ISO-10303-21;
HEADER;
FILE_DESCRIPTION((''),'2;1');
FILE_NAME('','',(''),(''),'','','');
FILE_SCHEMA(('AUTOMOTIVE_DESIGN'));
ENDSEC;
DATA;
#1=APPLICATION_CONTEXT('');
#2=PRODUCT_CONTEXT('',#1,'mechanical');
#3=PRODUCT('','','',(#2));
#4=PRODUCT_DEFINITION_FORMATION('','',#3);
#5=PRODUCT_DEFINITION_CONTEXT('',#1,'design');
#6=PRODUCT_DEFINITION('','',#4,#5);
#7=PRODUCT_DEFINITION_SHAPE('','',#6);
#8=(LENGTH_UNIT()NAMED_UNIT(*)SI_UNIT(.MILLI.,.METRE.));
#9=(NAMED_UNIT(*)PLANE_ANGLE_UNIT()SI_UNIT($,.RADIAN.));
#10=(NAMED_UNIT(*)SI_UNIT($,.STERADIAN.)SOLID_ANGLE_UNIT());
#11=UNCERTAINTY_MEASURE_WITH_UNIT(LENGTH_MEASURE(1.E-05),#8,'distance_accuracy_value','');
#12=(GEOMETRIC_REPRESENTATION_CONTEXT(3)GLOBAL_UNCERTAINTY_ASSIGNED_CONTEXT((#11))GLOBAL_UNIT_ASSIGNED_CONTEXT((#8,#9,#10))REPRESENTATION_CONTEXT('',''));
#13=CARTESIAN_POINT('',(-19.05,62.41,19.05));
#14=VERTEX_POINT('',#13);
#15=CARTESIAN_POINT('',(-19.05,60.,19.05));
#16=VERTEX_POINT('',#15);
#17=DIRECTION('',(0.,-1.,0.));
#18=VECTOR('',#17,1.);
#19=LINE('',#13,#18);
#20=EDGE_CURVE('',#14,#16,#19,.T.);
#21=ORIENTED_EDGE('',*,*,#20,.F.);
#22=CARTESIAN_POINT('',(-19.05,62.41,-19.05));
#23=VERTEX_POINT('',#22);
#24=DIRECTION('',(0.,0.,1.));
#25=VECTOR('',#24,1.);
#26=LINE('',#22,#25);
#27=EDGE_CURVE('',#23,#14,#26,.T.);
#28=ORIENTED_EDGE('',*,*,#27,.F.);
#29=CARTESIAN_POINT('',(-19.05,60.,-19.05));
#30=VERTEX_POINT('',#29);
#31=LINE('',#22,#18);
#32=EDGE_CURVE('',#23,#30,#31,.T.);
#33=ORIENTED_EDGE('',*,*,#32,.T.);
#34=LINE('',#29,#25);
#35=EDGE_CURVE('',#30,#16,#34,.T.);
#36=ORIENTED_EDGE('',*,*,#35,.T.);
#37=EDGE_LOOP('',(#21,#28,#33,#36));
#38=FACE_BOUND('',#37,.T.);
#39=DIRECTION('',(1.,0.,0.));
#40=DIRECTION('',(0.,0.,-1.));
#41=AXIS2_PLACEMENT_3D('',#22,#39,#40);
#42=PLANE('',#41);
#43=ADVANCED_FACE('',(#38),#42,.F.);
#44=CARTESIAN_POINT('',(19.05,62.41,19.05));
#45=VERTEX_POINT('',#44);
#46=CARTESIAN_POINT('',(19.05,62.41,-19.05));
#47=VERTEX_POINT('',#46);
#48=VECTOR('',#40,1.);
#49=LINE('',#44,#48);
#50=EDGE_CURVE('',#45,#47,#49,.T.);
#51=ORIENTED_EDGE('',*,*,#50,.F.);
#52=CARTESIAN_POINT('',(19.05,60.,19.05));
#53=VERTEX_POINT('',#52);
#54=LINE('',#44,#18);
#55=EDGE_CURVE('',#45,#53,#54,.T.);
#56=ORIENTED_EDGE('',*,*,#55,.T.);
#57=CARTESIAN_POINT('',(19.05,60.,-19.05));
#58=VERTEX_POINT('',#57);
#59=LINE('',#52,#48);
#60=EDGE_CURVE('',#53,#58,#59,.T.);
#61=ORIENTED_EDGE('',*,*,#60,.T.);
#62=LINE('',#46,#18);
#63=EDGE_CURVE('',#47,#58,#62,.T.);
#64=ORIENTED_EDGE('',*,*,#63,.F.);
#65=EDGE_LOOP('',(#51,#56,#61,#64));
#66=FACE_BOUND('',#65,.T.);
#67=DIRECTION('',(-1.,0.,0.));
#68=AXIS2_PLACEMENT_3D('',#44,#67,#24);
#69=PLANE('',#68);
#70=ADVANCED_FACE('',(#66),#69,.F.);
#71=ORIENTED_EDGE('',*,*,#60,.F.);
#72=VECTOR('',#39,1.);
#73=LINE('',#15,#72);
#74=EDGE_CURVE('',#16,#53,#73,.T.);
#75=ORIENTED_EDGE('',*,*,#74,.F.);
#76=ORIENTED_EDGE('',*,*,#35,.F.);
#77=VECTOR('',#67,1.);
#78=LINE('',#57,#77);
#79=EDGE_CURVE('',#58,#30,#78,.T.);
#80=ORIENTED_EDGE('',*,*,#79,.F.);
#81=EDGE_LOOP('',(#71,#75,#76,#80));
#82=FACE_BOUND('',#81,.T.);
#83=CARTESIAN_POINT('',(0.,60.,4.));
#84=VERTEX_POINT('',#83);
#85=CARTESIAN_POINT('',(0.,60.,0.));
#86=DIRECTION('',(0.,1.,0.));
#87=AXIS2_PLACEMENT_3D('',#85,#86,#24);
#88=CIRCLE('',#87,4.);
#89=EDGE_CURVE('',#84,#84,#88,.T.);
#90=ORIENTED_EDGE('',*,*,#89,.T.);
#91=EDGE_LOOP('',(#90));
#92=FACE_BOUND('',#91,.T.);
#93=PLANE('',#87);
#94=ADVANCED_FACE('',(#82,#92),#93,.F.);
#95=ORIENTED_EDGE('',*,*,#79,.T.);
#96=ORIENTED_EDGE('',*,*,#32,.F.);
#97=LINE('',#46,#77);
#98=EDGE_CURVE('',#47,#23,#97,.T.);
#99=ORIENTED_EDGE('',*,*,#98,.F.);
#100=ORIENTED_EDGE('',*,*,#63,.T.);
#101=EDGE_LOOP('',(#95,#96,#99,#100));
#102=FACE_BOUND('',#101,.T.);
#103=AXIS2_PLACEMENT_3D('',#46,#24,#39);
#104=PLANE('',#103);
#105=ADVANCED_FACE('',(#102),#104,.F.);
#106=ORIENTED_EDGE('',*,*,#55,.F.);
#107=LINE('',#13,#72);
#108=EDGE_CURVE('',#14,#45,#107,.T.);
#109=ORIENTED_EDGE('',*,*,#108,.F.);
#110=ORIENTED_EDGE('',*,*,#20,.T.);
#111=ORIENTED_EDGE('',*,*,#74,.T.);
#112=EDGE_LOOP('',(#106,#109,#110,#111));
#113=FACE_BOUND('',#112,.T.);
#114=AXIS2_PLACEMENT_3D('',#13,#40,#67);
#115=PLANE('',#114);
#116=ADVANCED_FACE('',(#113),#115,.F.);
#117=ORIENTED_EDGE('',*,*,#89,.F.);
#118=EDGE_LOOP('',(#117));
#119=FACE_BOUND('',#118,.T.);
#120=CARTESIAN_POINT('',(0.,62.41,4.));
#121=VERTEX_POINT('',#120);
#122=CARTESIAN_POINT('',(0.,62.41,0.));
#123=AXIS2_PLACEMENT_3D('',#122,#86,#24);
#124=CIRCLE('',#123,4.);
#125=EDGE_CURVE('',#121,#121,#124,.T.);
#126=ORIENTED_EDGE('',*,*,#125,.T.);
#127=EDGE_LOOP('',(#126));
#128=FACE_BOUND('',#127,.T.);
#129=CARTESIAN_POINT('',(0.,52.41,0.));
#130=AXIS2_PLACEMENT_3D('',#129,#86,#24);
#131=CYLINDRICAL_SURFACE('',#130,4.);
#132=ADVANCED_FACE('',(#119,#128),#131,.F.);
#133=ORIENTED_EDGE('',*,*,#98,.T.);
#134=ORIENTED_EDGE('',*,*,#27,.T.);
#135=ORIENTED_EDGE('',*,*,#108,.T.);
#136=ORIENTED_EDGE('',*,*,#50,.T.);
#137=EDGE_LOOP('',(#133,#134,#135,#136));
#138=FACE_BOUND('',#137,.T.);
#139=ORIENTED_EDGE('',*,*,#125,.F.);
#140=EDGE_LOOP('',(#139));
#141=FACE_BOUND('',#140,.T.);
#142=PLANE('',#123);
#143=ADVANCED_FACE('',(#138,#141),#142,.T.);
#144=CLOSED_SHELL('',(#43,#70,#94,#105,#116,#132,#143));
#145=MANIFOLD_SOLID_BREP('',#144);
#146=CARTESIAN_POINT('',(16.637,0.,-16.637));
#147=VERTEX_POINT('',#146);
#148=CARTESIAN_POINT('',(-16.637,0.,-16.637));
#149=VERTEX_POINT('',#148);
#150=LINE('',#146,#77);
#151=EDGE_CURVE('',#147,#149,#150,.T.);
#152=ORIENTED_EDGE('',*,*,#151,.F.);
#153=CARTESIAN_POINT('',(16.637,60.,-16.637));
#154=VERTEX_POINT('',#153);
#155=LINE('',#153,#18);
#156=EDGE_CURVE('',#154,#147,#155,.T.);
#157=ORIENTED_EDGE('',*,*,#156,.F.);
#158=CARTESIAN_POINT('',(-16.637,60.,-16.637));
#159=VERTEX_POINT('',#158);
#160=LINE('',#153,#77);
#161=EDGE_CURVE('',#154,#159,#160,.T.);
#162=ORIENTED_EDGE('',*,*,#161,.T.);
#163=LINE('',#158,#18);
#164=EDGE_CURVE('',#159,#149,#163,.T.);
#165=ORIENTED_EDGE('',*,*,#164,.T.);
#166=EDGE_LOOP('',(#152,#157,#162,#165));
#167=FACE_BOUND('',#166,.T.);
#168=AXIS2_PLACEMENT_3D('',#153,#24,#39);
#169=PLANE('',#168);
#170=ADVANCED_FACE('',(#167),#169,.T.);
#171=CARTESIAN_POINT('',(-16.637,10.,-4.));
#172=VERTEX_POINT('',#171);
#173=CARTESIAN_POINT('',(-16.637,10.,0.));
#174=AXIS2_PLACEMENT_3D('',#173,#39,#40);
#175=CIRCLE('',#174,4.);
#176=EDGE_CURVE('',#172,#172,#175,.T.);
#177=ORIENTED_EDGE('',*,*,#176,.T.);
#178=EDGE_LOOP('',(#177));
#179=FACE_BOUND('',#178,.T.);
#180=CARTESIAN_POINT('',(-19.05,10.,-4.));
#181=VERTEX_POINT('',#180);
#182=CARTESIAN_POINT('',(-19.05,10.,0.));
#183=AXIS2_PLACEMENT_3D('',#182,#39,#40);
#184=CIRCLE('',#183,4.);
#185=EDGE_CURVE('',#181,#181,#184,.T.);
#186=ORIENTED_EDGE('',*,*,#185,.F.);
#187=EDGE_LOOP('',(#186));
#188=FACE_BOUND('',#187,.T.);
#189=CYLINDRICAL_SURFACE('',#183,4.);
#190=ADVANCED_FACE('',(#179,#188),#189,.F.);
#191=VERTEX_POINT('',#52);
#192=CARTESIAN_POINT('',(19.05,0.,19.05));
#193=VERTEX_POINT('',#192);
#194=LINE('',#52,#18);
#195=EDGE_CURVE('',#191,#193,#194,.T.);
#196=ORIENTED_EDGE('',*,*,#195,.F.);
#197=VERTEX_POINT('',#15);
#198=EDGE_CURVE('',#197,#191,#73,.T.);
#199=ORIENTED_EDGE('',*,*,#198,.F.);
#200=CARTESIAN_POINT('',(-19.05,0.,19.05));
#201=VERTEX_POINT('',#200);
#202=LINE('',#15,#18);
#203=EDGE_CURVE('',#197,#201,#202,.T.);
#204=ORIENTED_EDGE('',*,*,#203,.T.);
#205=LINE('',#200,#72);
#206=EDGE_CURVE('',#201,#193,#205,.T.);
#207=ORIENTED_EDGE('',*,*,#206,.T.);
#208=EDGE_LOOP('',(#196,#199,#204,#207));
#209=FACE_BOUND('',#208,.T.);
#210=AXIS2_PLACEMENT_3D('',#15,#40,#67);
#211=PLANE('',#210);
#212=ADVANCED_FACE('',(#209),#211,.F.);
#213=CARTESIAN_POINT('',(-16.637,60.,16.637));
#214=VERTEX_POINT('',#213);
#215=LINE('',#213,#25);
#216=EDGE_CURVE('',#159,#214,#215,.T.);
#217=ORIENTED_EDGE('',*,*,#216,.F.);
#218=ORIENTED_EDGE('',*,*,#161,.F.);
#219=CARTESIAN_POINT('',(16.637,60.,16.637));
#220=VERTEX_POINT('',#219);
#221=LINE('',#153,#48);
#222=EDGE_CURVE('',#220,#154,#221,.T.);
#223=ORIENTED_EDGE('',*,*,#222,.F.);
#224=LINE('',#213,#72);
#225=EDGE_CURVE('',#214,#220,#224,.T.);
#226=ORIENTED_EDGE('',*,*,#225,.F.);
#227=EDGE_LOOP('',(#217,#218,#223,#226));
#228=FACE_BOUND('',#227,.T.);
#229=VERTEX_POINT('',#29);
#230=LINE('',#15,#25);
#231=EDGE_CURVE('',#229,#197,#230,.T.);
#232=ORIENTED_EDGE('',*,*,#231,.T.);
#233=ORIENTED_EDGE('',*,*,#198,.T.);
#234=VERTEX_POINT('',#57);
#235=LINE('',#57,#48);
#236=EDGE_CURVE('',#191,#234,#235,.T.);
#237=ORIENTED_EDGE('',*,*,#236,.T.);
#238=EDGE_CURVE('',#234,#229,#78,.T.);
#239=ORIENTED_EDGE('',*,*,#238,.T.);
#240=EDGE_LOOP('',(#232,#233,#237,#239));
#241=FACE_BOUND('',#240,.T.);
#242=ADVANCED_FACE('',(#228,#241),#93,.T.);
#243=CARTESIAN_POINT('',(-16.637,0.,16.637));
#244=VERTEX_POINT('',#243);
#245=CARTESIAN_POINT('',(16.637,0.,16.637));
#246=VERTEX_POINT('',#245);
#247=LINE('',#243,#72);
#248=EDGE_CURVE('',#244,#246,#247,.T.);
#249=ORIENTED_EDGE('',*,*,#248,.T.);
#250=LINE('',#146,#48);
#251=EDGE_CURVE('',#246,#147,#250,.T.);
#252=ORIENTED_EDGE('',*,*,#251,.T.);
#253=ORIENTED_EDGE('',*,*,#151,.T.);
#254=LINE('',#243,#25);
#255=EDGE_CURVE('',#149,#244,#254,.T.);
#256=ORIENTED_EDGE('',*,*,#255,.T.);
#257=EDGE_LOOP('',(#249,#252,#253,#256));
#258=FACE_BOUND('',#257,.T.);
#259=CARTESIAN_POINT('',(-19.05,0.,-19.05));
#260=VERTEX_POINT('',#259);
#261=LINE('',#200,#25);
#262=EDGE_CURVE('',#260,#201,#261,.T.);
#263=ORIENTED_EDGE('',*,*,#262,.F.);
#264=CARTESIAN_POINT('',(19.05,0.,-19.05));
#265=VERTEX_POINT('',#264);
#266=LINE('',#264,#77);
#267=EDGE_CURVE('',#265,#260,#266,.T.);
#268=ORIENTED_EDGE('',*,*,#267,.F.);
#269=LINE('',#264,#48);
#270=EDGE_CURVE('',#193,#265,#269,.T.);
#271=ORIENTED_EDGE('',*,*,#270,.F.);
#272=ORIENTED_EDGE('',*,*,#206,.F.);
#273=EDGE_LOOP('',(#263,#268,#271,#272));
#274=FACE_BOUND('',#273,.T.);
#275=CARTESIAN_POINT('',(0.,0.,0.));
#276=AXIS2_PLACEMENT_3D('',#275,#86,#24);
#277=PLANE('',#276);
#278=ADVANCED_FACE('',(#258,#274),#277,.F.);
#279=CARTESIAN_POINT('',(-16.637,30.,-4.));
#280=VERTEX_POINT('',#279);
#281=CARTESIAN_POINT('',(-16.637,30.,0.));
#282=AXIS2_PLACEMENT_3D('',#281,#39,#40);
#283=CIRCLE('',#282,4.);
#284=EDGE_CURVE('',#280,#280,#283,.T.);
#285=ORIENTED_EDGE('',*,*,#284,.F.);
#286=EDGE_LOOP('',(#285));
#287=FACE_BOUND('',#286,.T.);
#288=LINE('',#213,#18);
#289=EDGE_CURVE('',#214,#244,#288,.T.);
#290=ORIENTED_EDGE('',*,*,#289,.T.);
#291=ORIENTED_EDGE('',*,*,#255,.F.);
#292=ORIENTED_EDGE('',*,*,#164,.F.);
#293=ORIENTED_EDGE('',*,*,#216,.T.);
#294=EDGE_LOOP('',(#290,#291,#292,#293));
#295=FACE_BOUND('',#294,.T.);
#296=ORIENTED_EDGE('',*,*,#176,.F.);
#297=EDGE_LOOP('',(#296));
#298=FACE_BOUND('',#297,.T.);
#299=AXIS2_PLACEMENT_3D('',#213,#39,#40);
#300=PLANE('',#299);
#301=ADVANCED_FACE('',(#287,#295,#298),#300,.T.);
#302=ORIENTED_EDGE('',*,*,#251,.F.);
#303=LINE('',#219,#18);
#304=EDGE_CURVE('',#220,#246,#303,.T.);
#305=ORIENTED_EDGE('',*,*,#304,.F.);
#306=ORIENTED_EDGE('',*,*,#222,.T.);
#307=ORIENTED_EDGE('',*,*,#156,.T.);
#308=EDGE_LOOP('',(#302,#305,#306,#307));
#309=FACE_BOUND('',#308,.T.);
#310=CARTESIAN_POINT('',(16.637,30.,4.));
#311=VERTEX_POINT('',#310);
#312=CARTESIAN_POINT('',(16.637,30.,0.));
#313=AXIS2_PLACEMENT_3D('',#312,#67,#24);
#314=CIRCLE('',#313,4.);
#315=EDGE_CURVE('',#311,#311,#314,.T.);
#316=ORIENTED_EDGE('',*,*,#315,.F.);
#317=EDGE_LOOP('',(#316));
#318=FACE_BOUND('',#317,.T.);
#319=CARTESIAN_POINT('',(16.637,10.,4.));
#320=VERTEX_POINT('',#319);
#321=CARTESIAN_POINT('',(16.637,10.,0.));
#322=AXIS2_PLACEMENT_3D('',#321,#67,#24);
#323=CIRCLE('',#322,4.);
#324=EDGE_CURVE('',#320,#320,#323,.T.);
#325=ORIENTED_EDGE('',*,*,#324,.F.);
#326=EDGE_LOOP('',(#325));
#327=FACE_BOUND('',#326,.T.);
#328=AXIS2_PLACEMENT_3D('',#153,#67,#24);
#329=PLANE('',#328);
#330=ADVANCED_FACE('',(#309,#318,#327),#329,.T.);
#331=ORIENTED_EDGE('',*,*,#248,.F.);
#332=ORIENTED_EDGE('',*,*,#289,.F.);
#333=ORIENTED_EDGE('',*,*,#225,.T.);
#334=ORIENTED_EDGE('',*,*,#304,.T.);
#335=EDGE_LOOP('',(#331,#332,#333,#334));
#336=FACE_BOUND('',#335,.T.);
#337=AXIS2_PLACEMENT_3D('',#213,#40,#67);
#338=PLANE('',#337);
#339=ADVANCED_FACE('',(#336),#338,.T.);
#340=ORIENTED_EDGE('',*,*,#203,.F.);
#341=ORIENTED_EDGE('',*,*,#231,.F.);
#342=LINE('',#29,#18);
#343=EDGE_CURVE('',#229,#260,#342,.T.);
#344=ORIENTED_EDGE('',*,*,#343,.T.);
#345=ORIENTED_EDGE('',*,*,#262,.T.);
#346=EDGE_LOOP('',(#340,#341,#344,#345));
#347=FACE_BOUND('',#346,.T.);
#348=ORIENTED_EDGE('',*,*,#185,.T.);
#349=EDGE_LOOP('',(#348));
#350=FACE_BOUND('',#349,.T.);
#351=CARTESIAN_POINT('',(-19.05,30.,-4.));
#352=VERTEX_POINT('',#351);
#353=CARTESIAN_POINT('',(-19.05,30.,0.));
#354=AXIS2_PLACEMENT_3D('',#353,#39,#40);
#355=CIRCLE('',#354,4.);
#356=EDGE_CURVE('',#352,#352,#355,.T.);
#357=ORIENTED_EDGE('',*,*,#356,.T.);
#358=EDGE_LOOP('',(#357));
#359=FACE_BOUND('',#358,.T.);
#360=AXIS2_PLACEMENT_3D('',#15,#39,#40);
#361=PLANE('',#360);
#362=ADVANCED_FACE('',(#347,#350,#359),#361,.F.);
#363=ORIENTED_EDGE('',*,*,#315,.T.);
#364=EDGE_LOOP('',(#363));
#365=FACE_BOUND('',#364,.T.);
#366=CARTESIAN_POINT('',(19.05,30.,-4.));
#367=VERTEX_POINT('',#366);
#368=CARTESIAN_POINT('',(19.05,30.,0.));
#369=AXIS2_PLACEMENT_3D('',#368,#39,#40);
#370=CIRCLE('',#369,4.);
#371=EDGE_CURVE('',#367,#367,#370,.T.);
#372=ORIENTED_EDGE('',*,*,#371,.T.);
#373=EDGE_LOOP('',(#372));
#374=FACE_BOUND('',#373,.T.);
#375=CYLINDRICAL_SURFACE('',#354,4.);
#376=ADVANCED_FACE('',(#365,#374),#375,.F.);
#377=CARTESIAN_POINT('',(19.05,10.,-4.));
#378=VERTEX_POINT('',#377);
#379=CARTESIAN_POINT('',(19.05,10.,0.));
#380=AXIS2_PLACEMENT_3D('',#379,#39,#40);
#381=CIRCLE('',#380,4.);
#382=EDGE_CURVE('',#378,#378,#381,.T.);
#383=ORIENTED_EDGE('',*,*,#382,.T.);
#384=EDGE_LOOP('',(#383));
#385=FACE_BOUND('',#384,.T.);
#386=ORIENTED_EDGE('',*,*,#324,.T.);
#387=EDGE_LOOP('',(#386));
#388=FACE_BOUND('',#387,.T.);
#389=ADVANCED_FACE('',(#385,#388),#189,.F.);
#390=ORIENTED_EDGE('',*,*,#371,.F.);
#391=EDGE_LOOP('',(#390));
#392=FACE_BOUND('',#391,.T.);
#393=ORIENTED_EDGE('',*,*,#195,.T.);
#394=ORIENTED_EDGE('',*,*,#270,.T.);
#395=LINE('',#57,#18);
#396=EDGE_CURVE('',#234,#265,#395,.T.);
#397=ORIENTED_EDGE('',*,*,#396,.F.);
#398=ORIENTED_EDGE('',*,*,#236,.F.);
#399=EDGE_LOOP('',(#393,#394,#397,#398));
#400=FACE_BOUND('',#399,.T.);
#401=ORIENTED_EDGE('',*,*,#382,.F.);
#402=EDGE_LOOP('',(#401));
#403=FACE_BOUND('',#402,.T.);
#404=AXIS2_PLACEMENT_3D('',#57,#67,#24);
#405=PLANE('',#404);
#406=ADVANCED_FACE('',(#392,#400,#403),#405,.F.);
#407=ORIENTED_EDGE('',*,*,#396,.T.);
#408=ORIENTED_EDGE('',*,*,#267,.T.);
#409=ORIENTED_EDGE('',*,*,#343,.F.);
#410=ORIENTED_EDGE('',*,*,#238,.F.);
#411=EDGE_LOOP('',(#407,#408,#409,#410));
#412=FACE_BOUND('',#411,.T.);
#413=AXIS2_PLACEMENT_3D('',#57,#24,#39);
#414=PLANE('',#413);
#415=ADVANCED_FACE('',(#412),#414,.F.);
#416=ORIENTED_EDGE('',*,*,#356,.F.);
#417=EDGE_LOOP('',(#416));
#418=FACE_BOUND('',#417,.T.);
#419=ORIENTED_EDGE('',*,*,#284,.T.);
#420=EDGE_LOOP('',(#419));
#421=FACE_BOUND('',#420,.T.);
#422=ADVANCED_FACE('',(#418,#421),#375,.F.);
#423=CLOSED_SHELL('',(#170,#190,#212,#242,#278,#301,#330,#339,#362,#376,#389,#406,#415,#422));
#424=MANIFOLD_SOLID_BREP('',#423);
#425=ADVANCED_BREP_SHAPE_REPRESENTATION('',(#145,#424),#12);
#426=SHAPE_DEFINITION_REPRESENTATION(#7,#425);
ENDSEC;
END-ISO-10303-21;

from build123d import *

# Parameters (mm, degrees)
SKETCH1_W                                      = 38.1
SKETCH1_H                                      = 38.1
SKETCH1_W_2                                    = 33.274
SKETCH1_H_2                                    = 33.274
TUBO_CUADRADO_AL_AL_TUBE_1_5_SQR_X_0_095_DEPTH = 60
CROQUIS3_R                                     = 4
CORTAR_EXTRUIR1_DEPTH                          = 74.583371083
TAPA_EN_EXTREMO1_THICKNESS                     = 2.41
CROQUIS5_R                                     = 4
CORTAR_EXTRUIR2_DEPTH                          = 10


with BuildPart() as part:
    # Sketch1 → Tubo cuadrado al AL TUBE 1.5 SQR X 0.095 WALL(1) (new body)
    with BuildSketch(Plane(origin=(0, 0, 0), x_dir=(-1, 0, 0), z_dir=(0, 1, 0))):
        Rectangle(SKETCH1_W, SKETCH1_H)
        Rectangle(SKETCH1_W_2, SKETCH1_H_2, mode=Mode.SUBTRACT)
    extrude(amount=TUBO_CUADRADO_AL_AL_TUBE_1_5_SQR_X_0_095_DEPTH)

    # Croquis3 → Cortar-Extruir1 (cut, through all)
    with BuildSketch(Plane(origin=(19.05, 0, 0), x_dir=(0, 0, -1), z_dir=(1, 0, 0))):
        with Locations((0, 10)):
            Circle(CROQUIS3_R)
        with Locations((0, 30)):
            Circle(CROQUIS3_R)
    extrude(amount=-CORTAR_EXTRUIR1_DEPTH, mode=Mode.SUBTRACT)


with BuildPart() as body_2:
    # Tapa en extremo1: an end cap: a plate 2.41 thick on the member's open end, its outline the end's outer outline
    tapa_en_extremo1_end = part.part.faces().sort_by_distance((18.4785, 60, -18.4785))[0]
    add(extrude(Face(tapa_en_extremo1_end.outer_wire()), amount=TAPA_EN_EXTREMO1_THICKNESS, dir=(0, 1, 0)))

    # Croquis5 → Cortar-Extruir2 (cut)
    with BuildSketch(Plane(origin=(0, 62.41, 0), x_dir=(1, 0, 0), z_dir=(0, 1, 0))):
        with Locations(Location((0, 0, 0), (0, 0, 270))):
            Circle(CROQUIS5_R)
    extrude(amount=-CORTAR_EXTRUIR2_DEPTH, mode=Mode.SUBTRACT)


solid = Compound([part.part, body_2.part])
